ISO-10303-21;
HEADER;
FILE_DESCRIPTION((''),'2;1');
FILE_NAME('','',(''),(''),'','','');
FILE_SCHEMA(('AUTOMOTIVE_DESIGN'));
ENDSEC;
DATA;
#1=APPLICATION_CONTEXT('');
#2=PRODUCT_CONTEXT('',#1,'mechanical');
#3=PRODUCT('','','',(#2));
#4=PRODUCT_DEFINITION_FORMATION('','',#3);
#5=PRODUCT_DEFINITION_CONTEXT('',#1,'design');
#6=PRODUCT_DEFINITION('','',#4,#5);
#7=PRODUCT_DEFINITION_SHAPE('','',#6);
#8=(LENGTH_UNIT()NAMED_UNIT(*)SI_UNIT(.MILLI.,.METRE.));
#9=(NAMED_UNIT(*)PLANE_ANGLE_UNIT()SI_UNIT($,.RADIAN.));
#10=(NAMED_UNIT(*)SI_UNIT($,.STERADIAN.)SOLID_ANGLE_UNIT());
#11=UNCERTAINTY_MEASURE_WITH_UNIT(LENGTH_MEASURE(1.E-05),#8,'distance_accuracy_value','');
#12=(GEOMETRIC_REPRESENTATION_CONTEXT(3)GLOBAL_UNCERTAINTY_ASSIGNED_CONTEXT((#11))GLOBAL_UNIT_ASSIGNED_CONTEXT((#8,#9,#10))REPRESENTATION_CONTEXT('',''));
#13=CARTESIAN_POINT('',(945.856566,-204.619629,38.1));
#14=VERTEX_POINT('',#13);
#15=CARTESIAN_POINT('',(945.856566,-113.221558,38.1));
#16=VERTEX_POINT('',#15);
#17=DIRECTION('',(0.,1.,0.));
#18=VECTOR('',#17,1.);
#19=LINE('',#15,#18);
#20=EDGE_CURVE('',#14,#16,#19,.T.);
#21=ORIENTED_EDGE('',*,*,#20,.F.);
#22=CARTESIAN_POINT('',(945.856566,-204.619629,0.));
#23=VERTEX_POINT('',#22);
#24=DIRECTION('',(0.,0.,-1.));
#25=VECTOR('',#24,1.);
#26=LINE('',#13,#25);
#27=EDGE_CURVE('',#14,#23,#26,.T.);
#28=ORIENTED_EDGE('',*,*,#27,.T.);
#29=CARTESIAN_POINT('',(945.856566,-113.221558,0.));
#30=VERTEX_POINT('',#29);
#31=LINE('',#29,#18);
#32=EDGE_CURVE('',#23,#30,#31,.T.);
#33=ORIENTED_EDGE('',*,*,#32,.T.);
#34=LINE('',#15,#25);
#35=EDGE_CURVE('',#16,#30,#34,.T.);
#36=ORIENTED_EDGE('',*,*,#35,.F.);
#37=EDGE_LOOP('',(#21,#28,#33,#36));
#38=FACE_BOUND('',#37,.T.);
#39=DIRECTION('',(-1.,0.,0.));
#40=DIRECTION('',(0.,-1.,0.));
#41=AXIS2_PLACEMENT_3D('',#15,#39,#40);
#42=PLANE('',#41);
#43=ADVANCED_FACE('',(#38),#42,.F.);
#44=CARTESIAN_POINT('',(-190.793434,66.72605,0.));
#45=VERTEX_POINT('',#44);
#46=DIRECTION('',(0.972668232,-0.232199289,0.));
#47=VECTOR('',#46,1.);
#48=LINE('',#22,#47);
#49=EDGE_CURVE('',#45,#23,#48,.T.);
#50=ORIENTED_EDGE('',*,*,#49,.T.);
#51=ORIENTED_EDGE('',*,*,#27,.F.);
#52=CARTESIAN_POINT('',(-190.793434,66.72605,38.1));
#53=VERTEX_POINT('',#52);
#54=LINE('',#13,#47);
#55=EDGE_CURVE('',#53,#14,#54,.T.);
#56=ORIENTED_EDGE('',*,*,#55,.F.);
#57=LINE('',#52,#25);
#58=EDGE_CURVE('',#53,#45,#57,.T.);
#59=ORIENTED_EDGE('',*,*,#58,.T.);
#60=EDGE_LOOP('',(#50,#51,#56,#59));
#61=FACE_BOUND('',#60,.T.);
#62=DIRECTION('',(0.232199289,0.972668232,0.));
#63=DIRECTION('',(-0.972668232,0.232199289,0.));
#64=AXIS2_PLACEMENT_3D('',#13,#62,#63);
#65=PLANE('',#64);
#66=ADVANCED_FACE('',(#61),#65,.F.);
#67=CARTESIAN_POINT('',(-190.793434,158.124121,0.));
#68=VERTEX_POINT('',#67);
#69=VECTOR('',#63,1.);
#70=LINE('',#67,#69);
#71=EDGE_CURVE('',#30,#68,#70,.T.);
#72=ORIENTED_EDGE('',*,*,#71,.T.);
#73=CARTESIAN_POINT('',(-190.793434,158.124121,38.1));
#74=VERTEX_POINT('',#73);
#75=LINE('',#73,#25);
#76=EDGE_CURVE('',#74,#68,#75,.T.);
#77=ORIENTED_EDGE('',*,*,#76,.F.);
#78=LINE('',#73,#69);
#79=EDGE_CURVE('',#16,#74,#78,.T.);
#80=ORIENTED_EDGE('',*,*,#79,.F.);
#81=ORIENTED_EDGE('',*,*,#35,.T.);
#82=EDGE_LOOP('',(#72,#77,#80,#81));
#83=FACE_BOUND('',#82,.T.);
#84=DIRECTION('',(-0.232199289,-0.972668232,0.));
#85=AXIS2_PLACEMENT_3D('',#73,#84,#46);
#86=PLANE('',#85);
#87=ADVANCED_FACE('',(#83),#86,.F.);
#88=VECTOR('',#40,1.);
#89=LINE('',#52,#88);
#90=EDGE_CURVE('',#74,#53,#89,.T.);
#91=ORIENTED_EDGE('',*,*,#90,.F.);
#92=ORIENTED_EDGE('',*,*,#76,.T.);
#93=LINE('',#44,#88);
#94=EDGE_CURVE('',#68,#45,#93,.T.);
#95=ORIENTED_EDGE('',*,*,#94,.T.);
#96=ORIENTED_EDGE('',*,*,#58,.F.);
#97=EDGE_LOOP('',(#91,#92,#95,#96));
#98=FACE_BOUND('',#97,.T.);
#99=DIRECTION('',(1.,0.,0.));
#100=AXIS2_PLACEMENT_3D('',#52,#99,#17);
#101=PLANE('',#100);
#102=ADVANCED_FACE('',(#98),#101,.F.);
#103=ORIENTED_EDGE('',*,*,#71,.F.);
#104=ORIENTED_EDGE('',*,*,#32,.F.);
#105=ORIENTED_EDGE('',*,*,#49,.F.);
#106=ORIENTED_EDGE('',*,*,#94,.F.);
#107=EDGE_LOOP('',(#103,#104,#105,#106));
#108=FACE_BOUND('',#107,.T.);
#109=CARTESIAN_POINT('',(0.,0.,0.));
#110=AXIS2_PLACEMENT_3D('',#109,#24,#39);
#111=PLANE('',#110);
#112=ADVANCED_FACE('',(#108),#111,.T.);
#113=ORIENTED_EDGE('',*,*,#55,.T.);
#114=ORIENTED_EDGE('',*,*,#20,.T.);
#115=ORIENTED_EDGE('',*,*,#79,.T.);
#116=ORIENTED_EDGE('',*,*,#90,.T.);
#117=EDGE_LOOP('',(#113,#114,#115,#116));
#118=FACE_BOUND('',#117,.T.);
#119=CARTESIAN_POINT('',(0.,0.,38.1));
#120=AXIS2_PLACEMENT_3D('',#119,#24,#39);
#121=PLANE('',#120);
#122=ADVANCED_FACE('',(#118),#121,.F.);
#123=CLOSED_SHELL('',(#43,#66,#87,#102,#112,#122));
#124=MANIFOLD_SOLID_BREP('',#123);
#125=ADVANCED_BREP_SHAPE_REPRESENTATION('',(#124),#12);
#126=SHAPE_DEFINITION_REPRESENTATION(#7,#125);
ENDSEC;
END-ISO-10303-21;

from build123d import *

# Parameters (mm, degrees)
BOSS_EXTRUDE1_DEPTH = 38.1


with BuildPart() as part:
    # Sketch1 → Boss-Extrude1 (new body)
    with BuildSketch(Plane.XY):
        Polygon((-190.793434472, 158.124120936), (945.856565528, -113.221558222), (945.856565528, -204.619629064), (-190.793434472, 66.726050094), align=None)
    extrude(amount=BOSS_EXTRUDE1_DEPTH)


solid = part.part
